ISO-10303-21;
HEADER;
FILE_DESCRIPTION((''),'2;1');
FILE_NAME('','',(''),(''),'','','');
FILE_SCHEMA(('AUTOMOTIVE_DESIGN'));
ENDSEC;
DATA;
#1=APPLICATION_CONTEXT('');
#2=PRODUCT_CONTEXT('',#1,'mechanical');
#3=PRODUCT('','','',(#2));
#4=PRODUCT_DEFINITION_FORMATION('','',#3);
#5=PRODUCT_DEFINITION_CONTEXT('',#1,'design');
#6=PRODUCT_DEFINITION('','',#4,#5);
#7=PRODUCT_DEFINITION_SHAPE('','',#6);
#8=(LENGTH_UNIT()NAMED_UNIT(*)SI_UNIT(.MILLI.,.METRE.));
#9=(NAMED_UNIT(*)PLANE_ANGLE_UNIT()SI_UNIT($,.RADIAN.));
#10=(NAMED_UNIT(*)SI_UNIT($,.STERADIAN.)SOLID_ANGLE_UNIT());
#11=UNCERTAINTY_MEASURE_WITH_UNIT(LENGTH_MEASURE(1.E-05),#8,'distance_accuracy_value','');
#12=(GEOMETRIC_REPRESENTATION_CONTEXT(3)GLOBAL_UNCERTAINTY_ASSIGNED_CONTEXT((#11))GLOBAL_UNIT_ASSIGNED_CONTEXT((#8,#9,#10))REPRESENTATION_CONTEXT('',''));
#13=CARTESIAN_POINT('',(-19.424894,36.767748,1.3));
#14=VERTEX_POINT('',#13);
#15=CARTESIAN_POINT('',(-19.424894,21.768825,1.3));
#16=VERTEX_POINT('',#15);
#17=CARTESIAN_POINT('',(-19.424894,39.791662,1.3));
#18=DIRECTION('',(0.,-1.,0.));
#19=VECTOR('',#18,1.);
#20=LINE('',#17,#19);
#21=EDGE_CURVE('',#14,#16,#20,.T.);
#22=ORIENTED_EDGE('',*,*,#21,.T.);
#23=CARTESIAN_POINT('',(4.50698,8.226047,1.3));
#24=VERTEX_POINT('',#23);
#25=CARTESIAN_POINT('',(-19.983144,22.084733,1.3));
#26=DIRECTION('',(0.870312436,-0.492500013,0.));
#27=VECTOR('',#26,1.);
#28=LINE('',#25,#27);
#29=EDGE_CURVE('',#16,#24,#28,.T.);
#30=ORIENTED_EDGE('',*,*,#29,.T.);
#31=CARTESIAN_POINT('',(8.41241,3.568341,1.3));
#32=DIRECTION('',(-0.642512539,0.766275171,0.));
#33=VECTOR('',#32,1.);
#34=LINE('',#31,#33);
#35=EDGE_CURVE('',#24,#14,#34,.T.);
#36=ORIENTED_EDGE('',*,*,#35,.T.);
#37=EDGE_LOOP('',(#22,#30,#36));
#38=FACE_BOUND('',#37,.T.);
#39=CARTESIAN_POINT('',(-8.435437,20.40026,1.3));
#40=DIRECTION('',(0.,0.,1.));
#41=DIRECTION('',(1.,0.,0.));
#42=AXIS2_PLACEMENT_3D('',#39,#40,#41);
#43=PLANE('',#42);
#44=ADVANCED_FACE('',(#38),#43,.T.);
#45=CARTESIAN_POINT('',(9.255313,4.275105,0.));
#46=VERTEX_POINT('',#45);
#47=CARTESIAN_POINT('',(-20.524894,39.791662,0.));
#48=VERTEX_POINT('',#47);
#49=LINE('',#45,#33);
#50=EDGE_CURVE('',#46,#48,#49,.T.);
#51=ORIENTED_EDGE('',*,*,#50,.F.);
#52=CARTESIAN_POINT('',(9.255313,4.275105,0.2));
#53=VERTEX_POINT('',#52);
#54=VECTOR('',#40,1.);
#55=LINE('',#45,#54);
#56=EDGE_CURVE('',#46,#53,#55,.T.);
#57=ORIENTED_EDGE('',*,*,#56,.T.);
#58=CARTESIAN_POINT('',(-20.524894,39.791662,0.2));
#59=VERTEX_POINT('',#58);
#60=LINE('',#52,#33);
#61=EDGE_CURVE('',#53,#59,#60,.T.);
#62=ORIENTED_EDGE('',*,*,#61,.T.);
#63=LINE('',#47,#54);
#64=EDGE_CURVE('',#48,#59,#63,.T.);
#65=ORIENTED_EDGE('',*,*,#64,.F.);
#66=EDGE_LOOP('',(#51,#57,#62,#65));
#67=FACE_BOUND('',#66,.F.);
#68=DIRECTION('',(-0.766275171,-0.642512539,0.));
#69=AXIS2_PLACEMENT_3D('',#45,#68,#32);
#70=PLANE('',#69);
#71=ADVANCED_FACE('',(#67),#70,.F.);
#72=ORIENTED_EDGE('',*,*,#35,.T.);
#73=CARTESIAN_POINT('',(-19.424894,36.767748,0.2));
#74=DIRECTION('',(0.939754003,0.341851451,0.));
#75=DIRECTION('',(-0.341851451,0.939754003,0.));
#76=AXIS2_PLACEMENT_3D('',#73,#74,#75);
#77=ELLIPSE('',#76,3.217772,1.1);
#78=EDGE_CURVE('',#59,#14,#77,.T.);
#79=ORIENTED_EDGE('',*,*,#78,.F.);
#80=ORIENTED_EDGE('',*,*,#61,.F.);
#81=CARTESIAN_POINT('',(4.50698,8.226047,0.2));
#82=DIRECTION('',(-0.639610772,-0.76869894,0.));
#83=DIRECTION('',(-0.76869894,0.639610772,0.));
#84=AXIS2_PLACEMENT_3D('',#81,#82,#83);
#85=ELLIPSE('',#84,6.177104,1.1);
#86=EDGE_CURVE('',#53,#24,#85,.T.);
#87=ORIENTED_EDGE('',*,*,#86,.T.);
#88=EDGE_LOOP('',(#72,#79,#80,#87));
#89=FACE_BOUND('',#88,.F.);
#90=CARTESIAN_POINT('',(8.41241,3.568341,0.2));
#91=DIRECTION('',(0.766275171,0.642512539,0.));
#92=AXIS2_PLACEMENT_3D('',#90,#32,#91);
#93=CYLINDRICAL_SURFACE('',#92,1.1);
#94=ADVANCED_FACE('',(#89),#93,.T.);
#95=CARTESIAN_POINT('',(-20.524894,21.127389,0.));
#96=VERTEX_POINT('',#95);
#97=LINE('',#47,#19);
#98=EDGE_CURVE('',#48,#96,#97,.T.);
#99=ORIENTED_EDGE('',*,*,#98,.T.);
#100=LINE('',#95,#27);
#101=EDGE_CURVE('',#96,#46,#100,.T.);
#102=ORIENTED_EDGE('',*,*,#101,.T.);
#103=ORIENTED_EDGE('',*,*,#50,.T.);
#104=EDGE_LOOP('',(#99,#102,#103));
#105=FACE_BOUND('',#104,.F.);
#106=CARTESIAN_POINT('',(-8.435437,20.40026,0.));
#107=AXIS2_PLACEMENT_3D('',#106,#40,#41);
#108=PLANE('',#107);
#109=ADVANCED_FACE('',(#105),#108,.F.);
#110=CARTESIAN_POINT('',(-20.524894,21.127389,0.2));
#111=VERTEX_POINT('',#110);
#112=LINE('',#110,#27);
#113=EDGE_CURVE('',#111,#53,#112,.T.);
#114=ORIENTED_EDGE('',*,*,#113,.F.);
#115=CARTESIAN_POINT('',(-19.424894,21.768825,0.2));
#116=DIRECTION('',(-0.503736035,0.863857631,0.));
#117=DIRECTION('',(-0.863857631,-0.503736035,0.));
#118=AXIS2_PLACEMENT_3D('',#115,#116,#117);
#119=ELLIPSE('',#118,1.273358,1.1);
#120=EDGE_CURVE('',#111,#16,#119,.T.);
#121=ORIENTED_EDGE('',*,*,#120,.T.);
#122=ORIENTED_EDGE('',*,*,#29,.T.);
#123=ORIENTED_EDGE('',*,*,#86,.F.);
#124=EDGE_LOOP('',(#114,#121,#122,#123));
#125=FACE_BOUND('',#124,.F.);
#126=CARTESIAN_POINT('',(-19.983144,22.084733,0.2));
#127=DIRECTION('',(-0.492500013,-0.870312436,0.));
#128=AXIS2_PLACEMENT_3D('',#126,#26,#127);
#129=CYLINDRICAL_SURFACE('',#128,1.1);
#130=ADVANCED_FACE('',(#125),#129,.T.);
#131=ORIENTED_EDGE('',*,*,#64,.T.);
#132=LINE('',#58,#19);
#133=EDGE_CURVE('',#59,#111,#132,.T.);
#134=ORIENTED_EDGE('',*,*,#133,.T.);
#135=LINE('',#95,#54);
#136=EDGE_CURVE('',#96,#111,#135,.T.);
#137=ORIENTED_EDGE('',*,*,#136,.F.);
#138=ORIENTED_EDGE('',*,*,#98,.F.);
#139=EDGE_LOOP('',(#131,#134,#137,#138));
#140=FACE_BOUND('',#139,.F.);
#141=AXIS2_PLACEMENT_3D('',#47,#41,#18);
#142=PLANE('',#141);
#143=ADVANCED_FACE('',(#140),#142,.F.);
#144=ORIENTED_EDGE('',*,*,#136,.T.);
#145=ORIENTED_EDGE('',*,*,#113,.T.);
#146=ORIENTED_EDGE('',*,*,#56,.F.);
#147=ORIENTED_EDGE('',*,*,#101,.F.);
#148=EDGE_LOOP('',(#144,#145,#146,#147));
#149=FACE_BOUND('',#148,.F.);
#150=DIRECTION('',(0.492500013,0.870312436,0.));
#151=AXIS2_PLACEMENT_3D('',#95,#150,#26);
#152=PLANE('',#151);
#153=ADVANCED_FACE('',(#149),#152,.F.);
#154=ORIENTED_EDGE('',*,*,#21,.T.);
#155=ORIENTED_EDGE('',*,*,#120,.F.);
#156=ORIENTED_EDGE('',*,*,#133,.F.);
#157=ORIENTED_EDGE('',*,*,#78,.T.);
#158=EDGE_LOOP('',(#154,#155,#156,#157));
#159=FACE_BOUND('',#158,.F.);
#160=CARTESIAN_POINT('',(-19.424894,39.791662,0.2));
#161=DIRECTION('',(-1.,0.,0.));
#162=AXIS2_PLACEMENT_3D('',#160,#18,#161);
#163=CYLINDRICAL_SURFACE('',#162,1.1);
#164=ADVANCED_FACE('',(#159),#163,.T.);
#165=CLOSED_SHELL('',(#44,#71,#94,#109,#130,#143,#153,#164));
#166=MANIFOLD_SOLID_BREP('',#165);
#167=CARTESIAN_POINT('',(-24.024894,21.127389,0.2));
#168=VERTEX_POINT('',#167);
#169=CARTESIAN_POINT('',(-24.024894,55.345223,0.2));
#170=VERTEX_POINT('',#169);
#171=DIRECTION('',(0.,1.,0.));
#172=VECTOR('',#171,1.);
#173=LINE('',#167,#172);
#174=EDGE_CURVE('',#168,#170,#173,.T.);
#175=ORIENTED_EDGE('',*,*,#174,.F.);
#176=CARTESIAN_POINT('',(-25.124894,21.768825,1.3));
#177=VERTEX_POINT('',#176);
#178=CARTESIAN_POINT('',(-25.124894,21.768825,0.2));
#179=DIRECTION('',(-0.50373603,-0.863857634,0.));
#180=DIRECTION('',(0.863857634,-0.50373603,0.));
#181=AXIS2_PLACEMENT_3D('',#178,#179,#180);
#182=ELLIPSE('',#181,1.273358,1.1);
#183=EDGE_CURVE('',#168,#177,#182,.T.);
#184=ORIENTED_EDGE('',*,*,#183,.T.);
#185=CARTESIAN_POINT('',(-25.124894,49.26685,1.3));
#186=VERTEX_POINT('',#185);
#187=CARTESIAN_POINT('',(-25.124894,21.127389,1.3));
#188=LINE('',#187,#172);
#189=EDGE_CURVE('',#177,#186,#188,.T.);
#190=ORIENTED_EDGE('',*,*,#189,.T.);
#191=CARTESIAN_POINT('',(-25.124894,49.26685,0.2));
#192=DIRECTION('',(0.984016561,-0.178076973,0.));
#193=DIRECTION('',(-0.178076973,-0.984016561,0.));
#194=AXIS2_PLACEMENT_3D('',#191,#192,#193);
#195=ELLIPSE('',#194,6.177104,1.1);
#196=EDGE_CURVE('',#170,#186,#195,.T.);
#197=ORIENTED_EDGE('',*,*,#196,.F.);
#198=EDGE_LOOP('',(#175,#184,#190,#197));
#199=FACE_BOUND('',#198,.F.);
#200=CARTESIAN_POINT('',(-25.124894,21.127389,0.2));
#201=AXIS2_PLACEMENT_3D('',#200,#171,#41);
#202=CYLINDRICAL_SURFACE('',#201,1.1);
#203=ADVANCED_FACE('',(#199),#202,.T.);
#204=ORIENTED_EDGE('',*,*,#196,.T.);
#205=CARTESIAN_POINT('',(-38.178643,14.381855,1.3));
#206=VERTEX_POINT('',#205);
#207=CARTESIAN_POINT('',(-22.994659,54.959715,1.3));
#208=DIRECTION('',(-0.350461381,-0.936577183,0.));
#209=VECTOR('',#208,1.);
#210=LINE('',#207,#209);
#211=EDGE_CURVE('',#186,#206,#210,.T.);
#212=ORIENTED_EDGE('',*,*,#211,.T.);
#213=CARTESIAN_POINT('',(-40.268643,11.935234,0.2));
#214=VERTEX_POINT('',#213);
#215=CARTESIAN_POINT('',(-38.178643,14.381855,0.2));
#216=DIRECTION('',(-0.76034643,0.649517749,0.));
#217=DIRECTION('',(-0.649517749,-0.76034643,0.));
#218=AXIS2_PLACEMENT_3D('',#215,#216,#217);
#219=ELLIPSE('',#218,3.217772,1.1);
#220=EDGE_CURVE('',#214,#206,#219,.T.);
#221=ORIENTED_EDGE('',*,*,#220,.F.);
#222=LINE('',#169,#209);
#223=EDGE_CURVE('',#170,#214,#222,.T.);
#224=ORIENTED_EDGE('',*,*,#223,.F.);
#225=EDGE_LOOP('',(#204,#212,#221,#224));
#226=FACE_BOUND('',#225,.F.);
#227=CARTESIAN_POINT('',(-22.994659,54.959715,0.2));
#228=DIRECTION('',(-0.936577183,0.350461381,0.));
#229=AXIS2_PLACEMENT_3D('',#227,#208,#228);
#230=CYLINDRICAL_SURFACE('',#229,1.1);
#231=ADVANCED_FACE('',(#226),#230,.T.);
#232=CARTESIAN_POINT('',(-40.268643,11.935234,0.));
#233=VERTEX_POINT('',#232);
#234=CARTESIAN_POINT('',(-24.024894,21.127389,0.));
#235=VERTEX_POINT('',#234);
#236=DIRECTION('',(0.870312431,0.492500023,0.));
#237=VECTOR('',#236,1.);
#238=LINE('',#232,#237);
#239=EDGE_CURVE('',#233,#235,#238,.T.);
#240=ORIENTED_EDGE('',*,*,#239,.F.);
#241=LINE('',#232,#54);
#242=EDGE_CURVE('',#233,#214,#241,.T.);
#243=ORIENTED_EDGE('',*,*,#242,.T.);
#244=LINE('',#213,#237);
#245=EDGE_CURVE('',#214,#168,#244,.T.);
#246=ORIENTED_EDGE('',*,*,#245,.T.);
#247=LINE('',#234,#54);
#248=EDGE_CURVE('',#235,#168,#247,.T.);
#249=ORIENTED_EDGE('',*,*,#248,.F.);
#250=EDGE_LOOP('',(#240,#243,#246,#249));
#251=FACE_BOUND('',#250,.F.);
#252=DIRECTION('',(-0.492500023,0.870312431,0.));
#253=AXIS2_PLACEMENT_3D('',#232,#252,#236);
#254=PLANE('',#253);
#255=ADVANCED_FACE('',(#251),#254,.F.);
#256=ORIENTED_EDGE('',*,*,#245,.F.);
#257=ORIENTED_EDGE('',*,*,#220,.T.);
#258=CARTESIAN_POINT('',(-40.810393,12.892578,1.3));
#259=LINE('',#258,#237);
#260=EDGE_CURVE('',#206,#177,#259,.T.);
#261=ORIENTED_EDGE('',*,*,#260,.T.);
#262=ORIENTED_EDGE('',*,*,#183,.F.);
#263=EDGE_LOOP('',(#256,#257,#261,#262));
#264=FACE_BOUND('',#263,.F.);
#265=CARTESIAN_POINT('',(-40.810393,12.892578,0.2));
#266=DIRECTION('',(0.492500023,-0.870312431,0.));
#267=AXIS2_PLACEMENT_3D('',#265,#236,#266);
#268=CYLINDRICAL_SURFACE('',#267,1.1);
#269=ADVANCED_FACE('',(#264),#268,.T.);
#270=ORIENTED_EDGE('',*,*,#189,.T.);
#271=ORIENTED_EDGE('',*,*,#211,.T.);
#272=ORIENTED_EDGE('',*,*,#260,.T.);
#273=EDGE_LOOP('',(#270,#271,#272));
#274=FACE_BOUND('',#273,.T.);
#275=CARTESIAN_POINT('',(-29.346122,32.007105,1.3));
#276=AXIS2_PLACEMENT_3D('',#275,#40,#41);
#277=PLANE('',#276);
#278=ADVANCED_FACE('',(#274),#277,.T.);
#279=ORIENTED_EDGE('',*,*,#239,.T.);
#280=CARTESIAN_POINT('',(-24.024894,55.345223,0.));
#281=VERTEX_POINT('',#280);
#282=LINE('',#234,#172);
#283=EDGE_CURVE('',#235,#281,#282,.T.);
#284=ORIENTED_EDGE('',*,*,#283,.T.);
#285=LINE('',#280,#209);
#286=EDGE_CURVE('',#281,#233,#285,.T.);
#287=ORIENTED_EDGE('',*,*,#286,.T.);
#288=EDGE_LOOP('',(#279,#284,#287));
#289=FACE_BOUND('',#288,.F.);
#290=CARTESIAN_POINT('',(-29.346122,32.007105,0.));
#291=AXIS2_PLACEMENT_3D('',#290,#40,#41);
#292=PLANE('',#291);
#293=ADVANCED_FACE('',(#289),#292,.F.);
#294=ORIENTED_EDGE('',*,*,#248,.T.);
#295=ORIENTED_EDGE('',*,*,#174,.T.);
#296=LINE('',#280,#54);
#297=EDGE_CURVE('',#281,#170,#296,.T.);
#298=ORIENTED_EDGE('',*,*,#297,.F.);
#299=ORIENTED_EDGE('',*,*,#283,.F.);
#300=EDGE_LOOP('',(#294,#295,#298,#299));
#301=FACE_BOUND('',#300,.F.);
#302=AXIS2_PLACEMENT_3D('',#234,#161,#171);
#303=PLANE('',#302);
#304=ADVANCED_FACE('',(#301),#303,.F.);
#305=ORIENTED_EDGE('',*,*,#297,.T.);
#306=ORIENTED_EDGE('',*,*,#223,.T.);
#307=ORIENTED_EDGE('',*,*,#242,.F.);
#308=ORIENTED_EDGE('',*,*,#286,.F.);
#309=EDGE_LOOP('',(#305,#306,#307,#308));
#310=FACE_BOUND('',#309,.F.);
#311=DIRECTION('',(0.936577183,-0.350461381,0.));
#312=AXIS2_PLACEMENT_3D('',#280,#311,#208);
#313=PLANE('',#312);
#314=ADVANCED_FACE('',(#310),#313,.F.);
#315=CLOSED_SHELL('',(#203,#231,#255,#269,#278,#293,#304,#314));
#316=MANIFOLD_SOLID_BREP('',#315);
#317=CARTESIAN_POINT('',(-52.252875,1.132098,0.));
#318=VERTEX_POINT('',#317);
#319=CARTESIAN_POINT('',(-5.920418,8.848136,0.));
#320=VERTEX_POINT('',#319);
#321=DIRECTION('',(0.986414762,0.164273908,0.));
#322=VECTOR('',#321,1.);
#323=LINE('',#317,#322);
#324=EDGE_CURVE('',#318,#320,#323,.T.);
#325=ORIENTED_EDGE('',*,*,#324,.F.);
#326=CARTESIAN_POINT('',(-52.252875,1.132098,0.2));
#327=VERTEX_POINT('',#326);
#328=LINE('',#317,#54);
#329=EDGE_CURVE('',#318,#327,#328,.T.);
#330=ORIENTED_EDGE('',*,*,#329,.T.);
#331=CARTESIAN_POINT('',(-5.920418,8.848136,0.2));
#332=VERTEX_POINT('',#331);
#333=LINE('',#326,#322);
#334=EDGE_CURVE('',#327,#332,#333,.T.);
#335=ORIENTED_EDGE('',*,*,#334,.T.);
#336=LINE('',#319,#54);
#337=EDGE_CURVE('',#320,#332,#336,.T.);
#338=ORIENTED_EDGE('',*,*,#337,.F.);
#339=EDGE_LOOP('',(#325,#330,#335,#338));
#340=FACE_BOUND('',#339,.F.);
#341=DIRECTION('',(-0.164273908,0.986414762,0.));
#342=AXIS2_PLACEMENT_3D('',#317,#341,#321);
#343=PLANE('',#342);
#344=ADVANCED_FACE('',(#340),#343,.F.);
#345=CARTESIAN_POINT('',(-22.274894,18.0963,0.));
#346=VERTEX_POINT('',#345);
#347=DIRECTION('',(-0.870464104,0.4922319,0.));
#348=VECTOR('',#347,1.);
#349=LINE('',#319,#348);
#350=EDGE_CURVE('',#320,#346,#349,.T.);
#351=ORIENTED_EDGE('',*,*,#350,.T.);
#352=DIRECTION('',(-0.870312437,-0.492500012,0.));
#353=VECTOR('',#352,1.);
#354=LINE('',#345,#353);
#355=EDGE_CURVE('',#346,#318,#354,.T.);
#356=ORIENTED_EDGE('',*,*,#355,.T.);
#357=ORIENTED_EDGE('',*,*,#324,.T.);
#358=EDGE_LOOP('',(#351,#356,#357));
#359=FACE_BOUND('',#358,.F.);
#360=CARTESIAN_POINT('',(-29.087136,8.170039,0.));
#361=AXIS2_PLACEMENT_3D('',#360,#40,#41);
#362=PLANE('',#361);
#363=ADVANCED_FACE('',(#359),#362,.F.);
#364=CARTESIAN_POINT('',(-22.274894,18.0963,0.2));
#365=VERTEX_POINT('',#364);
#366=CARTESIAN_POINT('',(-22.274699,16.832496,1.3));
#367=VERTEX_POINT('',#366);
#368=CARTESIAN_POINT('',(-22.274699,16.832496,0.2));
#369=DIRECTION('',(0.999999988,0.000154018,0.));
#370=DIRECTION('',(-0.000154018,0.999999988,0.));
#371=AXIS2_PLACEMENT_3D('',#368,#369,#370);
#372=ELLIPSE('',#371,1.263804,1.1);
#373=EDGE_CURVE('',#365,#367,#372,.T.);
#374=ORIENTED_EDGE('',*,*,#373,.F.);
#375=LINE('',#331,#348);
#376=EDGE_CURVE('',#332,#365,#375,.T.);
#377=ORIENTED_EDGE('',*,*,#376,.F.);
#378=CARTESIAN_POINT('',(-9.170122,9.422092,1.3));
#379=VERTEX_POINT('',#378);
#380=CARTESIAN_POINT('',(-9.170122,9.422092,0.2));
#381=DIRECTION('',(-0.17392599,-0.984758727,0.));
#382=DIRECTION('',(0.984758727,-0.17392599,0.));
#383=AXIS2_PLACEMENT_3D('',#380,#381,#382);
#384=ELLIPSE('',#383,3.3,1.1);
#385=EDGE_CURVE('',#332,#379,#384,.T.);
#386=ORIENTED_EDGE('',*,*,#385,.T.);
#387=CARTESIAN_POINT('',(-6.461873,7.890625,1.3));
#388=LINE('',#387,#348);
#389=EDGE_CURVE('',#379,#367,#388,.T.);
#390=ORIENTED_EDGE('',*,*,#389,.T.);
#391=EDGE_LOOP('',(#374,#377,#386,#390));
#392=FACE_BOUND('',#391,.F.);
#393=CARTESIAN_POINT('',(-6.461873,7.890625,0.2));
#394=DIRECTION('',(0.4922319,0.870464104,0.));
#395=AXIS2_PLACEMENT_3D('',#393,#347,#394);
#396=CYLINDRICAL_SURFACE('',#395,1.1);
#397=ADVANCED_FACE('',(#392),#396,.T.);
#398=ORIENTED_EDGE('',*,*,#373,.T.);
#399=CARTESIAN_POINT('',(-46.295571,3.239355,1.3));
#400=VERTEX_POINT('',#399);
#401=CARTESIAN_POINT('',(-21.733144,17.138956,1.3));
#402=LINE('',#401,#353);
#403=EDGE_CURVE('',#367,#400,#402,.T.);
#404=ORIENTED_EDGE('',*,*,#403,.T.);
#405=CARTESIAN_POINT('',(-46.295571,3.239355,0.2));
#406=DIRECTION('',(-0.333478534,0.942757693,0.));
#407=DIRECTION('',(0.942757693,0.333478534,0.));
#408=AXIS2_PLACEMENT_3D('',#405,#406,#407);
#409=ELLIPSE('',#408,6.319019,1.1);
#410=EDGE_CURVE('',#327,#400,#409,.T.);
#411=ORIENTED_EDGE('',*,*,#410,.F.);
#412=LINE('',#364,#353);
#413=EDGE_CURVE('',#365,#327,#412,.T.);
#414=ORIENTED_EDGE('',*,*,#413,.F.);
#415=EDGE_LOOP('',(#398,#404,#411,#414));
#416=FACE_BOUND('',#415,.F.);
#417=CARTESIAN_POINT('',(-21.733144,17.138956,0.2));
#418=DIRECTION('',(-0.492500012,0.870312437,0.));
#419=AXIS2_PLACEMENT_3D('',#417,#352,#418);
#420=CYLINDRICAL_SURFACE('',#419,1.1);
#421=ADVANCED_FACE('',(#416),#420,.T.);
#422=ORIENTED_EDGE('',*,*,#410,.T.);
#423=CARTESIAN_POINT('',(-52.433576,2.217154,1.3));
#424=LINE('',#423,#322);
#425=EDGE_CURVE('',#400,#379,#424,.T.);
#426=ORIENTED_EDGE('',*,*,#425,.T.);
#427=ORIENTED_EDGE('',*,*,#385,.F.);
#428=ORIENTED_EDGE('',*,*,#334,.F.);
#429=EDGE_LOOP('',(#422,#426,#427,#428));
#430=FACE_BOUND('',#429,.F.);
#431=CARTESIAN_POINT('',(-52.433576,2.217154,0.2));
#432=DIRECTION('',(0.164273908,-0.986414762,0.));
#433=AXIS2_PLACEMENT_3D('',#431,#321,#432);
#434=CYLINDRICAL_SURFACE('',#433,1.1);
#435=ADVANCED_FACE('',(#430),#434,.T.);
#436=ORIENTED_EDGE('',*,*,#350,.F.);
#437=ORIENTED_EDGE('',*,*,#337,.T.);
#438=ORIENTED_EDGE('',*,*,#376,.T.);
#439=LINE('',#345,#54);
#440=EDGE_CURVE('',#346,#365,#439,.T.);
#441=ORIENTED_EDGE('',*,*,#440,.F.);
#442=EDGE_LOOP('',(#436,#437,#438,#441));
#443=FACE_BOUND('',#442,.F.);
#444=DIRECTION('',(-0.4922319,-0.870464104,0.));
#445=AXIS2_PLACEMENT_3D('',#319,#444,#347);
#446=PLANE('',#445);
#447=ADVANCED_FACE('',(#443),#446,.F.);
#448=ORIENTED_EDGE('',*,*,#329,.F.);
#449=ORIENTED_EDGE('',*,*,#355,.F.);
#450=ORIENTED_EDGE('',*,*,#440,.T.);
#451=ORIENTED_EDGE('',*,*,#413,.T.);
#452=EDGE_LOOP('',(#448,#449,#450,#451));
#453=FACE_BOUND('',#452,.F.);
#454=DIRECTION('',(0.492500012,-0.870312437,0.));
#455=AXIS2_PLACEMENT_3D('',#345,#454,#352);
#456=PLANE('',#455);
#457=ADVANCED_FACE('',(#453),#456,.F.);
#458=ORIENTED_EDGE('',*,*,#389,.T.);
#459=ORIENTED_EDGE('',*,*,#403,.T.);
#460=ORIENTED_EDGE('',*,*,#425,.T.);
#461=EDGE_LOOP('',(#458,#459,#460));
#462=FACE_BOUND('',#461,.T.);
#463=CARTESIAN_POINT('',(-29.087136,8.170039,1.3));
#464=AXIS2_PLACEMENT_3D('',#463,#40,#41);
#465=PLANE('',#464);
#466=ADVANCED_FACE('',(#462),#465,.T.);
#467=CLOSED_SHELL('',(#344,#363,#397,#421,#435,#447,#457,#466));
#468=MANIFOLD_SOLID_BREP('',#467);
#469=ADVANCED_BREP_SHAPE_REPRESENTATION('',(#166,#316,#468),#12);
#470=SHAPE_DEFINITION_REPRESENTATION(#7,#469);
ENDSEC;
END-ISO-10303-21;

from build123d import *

# Parameters (mm, degrees)
F1_DEPTH = 1.3
F2_R     = 1.1


with BuildPart() as f1:
    # F0 (on Top) → F1 (new body)
    with BuildSketch(Plane.XY):
        Polygon((-24.024894, 55.345223), (-40.268643, 11.935234), (-24.024894, 21.127389), align=None)
        Polygon((9.255313, 4.275105), (-20.524894, 39.791662), (-20.524894, 21.127389), align=None)
        Polygon((-52.252875, 1.132098), (-5.920418, 8.848136), (-22.274894, 18.0963), align=None)
    extrude(amount=F1_DEPTH)

    # F2
    f2_edges = [f1.edges().sort_by_distance(p)[0] for p in [
        (-32.146768, 33.640229, 1.3),
        (-32.146768, 16.531311, 1.3),
        (-24.024894, 38.236306, 1.3),
        (-5.63479, 22.033384, 1.3),
        (-20.524894, 30.459525, 1.3),
        (-5.63479, 12.701247, 1.3),
        (-29.086647, 4.990117, 1.3),
        (-14.097656, 13.472218, 1.3),
        (-37.263884, 9.614199, 1.3),
    ]]
    fillet(f2_edges, radius=F2_R)


solid = f1.part
